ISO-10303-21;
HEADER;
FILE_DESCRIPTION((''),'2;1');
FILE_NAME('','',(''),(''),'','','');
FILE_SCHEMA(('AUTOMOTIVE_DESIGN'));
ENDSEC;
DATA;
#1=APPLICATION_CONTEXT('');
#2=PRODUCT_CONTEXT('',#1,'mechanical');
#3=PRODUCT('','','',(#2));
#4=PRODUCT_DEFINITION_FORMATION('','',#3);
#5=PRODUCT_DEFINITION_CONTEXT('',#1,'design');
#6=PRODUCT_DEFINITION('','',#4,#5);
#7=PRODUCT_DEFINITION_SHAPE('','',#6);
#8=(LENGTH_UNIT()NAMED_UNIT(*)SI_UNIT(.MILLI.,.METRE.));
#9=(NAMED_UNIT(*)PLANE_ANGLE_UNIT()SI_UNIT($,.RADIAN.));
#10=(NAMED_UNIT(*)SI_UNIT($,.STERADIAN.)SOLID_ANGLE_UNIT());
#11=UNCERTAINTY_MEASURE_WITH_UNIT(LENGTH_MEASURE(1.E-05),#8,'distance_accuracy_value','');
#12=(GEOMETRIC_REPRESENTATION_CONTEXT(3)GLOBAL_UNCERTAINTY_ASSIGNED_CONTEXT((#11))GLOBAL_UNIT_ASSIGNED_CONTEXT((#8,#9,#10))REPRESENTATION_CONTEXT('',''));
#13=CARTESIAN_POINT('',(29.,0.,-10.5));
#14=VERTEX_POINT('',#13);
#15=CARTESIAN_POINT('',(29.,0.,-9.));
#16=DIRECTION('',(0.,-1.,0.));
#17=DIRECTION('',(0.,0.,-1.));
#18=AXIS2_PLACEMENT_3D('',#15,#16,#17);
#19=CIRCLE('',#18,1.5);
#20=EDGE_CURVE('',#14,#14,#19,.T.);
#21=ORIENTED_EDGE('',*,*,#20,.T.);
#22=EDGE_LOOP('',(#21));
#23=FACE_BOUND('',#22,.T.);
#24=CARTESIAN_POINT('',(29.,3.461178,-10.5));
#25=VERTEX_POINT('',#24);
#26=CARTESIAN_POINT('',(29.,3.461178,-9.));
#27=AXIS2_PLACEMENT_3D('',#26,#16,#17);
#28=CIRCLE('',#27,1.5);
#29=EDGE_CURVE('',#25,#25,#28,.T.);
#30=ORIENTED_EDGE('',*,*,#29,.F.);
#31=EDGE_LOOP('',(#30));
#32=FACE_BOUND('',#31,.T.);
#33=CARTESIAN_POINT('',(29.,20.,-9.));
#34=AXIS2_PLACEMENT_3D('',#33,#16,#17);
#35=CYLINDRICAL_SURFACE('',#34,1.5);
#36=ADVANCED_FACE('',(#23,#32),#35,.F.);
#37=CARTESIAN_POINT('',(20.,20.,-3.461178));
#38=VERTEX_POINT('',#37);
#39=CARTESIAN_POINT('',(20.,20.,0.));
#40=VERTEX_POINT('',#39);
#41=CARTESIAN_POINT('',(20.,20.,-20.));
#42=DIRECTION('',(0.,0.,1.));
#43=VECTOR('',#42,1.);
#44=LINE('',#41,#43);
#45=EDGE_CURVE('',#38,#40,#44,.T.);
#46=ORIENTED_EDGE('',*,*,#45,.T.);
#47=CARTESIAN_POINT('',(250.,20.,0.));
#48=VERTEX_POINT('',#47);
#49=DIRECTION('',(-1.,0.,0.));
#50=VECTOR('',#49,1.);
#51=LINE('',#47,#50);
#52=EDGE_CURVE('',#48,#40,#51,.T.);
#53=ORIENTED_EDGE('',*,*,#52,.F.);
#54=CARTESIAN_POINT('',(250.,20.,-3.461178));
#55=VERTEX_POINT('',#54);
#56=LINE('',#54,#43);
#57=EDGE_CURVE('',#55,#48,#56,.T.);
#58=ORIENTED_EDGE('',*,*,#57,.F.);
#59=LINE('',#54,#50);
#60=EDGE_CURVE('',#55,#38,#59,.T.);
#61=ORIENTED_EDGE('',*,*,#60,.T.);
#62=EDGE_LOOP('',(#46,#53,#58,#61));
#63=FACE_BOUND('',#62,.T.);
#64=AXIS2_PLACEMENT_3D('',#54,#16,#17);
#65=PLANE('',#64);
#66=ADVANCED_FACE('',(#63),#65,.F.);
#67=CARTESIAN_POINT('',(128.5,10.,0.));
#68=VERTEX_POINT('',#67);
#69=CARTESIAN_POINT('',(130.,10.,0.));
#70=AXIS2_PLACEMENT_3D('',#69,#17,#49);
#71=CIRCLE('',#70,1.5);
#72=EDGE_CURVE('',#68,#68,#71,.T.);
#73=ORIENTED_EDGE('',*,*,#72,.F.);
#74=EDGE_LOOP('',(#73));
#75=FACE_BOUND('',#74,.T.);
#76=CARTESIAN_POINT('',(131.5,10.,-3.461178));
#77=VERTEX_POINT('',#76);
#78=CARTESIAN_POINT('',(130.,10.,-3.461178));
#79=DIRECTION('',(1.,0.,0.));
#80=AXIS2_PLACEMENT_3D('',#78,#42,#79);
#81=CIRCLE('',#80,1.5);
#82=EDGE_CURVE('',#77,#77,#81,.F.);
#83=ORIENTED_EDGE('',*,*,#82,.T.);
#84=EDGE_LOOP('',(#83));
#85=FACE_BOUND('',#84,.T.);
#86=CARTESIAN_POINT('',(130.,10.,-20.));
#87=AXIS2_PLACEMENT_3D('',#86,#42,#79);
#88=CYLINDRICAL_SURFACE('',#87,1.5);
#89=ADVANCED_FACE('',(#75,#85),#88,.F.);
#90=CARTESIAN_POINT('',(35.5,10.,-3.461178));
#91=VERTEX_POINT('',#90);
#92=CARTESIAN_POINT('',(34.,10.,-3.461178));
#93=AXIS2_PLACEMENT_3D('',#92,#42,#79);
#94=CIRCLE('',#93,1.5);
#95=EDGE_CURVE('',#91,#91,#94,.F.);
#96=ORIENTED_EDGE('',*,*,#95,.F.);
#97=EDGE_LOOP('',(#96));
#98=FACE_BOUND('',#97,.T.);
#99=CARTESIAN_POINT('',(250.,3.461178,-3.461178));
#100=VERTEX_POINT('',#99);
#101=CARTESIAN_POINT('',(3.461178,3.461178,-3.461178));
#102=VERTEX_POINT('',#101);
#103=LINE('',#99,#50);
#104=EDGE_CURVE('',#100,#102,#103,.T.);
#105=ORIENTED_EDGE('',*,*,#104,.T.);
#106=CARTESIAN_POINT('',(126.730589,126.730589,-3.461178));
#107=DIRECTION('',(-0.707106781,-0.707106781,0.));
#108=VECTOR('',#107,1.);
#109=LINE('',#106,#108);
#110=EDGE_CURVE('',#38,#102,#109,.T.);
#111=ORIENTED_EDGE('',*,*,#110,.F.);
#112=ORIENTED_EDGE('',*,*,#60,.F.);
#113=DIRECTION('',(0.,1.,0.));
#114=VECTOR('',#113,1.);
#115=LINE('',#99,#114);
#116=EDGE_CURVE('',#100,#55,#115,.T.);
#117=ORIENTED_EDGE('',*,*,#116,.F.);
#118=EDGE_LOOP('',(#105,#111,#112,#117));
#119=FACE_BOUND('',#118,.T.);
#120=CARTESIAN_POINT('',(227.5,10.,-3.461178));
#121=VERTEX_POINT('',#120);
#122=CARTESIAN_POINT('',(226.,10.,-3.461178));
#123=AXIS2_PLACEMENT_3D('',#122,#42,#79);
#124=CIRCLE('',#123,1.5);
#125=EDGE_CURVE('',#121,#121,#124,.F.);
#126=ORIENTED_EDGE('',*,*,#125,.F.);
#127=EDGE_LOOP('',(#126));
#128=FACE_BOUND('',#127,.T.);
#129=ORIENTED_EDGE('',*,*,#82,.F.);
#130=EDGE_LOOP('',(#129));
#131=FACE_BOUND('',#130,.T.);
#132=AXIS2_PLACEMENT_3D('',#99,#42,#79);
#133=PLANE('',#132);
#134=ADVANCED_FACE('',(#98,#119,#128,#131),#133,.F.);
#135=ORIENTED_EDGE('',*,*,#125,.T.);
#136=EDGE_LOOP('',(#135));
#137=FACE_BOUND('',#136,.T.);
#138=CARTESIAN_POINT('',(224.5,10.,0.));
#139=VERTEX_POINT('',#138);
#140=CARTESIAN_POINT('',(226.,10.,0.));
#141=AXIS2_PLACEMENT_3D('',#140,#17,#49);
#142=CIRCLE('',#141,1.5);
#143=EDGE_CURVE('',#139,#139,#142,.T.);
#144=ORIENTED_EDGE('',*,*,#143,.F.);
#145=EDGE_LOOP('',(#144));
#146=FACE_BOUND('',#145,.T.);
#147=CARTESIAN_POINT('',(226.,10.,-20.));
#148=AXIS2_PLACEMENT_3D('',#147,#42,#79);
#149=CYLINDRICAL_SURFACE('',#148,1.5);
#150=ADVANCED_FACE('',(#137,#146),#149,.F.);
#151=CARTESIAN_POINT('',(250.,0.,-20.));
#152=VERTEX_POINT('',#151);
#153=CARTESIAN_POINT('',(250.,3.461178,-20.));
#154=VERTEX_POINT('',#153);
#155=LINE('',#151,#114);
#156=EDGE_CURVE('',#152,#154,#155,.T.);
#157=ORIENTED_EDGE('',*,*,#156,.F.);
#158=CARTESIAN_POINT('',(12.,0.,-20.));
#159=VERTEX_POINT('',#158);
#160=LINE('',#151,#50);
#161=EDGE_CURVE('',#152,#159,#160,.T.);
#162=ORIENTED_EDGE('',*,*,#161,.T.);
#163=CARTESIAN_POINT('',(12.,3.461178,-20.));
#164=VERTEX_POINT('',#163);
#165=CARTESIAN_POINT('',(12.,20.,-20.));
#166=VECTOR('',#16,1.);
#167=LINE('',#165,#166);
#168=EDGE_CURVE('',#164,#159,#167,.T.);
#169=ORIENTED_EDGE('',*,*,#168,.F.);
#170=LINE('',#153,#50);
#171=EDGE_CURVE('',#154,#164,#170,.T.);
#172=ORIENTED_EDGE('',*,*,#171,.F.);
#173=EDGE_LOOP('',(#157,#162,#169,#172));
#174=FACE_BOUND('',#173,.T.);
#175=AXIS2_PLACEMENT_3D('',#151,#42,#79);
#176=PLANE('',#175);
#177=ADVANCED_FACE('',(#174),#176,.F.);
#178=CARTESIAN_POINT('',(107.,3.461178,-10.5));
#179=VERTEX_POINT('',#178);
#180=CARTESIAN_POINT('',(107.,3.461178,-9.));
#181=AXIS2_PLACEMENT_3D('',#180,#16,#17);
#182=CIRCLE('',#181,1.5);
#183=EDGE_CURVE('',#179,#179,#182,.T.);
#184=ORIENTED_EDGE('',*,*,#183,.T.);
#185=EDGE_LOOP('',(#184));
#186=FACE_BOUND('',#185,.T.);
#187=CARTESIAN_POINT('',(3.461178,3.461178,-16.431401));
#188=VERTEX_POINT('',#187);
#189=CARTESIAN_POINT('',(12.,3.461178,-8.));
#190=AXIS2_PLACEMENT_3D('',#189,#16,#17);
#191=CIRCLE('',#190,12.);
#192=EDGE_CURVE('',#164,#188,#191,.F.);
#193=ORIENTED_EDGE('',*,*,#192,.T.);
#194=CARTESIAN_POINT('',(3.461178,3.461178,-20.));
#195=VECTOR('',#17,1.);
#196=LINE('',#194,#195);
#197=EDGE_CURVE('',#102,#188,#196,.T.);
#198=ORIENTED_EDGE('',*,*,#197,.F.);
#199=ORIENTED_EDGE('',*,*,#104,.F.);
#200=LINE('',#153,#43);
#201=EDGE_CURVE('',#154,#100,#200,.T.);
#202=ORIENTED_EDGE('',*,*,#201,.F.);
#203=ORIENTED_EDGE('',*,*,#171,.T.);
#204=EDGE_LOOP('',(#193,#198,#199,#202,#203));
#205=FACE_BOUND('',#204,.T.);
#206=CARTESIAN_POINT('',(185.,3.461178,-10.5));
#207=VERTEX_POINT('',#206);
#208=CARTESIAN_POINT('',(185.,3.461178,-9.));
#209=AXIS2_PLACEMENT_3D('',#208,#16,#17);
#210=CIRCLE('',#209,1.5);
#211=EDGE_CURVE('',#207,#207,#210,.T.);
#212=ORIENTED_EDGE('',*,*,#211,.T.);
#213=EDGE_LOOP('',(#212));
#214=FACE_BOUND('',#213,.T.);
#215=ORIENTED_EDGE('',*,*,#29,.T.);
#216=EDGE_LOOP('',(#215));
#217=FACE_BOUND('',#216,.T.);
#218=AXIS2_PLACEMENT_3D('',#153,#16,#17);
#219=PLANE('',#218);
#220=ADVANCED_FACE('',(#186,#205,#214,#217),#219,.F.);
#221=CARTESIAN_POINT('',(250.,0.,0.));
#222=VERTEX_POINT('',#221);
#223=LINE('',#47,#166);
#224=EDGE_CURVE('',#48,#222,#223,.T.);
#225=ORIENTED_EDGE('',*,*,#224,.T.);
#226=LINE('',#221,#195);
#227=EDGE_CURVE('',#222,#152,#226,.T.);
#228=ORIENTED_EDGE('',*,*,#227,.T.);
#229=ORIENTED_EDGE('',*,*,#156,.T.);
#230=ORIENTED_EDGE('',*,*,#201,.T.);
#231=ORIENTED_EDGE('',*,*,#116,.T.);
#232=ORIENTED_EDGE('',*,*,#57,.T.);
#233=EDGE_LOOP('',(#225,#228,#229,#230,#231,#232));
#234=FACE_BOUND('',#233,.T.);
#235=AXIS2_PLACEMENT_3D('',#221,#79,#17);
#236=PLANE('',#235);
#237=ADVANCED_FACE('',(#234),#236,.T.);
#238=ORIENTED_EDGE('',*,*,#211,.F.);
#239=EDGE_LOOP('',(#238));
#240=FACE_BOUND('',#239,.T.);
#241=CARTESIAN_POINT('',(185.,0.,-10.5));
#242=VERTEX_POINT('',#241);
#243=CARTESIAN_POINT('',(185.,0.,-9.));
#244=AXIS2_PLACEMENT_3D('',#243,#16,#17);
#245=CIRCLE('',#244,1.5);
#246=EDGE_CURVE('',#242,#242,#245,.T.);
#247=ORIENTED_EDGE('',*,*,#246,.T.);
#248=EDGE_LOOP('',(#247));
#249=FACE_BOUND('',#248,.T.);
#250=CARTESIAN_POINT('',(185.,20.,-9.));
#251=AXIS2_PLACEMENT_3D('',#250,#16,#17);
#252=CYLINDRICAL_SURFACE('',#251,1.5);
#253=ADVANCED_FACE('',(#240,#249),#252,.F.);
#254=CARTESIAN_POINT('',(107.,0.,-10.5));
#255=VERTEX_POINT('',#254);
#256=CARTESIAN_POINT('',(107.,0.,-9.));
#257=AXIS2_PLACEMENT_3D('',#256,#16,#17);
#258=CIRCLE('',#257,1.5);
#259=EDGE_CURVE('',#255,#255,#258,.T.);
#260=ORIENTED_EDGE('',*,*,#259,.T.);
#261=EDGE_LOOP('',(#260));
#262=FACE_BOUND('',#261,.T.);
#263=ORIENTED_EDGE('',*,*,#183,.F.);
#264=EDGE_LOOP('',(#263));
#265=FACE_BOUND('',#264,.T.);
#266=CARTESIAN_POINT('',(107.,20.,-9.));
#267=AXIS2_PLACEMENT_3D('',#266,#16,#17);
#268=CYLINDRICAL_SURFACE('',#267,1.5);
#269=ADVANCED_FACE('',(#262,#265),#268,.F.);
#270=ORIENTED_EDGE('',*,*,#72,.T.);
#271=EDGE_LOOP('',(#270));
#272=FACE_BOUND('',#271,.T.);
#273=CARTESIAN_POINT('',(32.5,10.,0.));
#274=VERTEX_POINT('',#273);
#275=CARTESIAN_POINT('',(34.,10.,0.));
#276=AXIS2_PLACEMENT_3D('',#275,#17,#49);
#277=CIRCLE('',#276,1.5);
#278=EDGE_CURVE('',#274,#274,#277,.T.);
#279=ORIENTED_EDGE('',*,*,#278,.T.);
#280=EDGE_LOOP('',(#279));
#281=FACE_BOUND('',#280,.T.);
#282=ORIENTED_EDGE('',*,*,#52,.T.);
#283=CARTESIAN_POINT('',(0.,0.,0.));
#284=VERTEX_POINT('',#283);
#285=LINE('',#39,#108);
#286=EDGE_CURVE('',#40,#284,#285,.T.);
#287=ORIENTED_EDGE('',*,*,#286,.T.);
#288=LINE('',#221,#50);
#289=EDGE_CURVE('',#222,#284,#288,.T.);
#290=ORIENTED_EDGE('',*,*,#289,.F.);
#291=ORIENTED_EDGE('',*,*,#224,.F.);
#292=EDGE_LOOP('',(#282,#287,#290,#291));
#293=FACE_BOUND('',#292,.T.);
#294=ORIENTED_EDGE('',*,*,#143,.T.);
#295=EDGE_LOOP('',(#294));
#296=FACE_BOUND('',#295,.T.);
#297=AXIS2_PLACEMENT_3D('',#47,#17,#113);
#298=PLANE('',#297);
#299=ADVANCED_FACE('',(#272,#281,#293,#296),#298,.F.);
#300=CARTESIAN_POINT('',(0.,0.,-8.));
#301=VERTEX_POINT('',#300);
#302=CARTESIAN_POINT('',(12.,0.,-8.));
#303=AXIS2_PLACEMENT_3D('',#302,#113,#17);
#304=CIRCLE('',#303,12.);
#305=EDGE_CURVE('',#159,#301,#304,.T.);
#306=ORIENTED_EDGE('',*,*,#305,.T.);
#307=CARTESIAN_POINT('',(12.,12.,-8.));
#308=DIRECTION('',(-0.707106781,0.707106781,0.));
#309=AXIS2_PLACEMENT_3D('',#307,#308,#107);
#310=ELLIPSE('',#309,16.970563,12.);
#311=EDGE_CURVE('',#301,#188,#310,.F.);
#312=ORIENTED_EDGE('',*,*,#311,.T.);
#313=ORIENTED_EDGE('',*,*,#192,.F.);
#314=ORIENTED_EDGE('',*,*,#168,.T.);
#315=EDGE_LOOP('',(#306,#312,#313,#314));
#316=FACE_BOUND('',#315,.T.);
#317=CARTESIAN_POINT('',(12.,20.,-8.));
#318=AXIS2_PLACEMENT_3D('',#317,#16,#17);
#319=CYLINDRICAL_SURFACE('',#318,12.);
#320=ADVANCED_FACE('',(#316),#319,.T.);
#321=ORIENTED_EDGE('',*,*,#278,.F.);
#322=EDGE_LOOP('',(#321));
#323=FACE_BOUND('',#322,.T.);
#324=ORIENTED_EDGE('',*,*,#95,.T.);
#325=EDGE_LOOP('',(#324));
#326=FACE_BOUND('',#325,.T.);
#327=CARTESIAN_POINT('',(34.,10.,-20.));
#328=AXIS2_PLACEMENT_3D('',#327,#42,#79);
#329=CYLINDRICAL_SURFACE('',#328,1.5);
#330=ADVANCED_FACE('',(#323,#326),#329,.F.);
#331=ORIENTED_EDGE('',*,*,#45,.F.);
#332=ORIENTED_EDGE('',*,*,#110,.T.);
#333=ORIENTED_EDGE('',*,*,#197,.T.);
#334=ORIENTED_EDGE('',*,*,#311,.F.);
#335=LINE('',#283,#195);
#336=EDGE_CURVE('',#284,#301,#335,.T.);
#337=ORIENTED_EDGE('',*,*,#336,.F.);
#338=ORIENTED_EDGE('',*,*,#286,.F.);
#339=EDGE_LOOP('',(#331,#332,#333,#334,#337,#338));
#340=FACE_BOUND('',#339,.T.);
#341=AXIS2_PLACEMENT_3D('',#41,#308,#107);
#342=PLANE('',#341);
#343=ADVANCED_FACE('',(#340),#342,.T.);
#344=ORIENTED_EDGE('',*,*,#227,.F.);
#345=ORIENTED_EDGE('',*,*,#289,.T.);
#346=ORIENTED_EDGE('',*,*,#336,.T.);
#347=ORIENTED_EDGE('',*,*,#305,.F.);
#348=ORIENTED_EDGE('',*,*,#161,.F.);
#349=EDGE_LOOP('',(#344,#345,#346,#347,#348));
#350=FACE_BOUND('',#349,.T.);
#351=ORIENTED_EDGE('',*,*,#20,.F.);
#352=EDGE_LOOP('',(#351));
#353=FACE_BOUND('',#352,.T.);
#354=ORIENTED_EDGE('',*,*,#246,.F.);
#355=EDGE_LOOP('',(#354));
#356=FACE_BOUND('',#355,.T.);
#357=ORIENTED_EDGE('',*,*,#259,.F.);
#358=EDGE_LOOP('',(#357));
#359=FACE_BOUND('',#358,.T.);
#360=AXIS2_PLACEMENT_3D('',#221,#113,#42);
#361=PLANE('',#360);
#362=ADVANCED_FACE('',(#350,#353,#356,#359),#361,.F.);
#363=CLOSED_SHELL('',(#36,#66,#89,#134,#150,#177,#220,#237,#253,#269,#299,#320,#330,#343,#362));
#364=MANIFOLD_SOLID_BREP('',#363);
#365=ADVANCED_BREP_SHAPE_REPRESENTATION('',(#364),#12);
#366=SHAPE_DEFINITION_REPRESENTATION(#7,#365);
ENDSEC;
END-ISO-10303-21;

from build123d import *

# Parameters (mm, degrees)
BOSS_EXTRUDE1_DEPTH = 250
SKETCH2_R           = 1.5
CUT_EXTRUDE1_DEPTH  = 252.594912508
SKETCH3_R           = 1.5
CUT_EXTRUDE2_DEPTH  = 252.594912508


with BuildPart() as part:
    # Sketch1 → Boss-Extrude1 (new body)
    with BuildSketch(Plane(origin=(0, 0, 0), x_dir=(0, 0, -1), z_dir=(1, 0, 0))):
        Polygon((0, 0), (20, 0), (20, 3.461178467), (3.461178467, 3.461178467), (3.461178467, 20), (0, 20), align=None)
    extrude(amount=BOSS_EXTRUDE1_DEPTH)

    # Sketch2 → Cut-Extrude1 (cut, through all)
    with BuildSketch(Plane(origin=(0, 0, 0), x_dir=(1, 0, 0), z_dir=(0, 0, -1))):
        with Locations((130, -10)):
            Circle(SKETCH2_R)
        with Locations((34, -10)):
            Circle(SKETCH2_R)
        with Locations((226, -10)):
            Circle(SKETCH2_R)
        Polygon((0, 0), (0, -20), (20, -20), align=None)
    extrude(amount=CUT_EXTRUDE1_DEPTH, mode=Mode.SUBTRACT)

    # Sketch3 → Cut-Extrude2 (cut, through all)
    with BuildSketch(Plane.XZ):
        with Locations(Location((185, -9, 0), (0, 0, 270))):
            Circle(SKETCH3_R)
        with Locations(Location((107, -9, 0), (0, 0, 270))):
            Circle(SKETCH3_R)
        with Locations(Location((29, -9, 0), (0, 0, 270))):
            Circle(SKETCH3_R)
        with BuildLine():
            Line((12, -20), (0, -20))
            Line((0, -20), (0, -8))
            ThreePointArc((0, -8), (3.514718626, -16.485281374), (12, -20))
        make_face()
    extrude(amount=-CUT_EXTRUDE2_DEPTH, mode=Mode.SUBTRACT)


solid = part.part
